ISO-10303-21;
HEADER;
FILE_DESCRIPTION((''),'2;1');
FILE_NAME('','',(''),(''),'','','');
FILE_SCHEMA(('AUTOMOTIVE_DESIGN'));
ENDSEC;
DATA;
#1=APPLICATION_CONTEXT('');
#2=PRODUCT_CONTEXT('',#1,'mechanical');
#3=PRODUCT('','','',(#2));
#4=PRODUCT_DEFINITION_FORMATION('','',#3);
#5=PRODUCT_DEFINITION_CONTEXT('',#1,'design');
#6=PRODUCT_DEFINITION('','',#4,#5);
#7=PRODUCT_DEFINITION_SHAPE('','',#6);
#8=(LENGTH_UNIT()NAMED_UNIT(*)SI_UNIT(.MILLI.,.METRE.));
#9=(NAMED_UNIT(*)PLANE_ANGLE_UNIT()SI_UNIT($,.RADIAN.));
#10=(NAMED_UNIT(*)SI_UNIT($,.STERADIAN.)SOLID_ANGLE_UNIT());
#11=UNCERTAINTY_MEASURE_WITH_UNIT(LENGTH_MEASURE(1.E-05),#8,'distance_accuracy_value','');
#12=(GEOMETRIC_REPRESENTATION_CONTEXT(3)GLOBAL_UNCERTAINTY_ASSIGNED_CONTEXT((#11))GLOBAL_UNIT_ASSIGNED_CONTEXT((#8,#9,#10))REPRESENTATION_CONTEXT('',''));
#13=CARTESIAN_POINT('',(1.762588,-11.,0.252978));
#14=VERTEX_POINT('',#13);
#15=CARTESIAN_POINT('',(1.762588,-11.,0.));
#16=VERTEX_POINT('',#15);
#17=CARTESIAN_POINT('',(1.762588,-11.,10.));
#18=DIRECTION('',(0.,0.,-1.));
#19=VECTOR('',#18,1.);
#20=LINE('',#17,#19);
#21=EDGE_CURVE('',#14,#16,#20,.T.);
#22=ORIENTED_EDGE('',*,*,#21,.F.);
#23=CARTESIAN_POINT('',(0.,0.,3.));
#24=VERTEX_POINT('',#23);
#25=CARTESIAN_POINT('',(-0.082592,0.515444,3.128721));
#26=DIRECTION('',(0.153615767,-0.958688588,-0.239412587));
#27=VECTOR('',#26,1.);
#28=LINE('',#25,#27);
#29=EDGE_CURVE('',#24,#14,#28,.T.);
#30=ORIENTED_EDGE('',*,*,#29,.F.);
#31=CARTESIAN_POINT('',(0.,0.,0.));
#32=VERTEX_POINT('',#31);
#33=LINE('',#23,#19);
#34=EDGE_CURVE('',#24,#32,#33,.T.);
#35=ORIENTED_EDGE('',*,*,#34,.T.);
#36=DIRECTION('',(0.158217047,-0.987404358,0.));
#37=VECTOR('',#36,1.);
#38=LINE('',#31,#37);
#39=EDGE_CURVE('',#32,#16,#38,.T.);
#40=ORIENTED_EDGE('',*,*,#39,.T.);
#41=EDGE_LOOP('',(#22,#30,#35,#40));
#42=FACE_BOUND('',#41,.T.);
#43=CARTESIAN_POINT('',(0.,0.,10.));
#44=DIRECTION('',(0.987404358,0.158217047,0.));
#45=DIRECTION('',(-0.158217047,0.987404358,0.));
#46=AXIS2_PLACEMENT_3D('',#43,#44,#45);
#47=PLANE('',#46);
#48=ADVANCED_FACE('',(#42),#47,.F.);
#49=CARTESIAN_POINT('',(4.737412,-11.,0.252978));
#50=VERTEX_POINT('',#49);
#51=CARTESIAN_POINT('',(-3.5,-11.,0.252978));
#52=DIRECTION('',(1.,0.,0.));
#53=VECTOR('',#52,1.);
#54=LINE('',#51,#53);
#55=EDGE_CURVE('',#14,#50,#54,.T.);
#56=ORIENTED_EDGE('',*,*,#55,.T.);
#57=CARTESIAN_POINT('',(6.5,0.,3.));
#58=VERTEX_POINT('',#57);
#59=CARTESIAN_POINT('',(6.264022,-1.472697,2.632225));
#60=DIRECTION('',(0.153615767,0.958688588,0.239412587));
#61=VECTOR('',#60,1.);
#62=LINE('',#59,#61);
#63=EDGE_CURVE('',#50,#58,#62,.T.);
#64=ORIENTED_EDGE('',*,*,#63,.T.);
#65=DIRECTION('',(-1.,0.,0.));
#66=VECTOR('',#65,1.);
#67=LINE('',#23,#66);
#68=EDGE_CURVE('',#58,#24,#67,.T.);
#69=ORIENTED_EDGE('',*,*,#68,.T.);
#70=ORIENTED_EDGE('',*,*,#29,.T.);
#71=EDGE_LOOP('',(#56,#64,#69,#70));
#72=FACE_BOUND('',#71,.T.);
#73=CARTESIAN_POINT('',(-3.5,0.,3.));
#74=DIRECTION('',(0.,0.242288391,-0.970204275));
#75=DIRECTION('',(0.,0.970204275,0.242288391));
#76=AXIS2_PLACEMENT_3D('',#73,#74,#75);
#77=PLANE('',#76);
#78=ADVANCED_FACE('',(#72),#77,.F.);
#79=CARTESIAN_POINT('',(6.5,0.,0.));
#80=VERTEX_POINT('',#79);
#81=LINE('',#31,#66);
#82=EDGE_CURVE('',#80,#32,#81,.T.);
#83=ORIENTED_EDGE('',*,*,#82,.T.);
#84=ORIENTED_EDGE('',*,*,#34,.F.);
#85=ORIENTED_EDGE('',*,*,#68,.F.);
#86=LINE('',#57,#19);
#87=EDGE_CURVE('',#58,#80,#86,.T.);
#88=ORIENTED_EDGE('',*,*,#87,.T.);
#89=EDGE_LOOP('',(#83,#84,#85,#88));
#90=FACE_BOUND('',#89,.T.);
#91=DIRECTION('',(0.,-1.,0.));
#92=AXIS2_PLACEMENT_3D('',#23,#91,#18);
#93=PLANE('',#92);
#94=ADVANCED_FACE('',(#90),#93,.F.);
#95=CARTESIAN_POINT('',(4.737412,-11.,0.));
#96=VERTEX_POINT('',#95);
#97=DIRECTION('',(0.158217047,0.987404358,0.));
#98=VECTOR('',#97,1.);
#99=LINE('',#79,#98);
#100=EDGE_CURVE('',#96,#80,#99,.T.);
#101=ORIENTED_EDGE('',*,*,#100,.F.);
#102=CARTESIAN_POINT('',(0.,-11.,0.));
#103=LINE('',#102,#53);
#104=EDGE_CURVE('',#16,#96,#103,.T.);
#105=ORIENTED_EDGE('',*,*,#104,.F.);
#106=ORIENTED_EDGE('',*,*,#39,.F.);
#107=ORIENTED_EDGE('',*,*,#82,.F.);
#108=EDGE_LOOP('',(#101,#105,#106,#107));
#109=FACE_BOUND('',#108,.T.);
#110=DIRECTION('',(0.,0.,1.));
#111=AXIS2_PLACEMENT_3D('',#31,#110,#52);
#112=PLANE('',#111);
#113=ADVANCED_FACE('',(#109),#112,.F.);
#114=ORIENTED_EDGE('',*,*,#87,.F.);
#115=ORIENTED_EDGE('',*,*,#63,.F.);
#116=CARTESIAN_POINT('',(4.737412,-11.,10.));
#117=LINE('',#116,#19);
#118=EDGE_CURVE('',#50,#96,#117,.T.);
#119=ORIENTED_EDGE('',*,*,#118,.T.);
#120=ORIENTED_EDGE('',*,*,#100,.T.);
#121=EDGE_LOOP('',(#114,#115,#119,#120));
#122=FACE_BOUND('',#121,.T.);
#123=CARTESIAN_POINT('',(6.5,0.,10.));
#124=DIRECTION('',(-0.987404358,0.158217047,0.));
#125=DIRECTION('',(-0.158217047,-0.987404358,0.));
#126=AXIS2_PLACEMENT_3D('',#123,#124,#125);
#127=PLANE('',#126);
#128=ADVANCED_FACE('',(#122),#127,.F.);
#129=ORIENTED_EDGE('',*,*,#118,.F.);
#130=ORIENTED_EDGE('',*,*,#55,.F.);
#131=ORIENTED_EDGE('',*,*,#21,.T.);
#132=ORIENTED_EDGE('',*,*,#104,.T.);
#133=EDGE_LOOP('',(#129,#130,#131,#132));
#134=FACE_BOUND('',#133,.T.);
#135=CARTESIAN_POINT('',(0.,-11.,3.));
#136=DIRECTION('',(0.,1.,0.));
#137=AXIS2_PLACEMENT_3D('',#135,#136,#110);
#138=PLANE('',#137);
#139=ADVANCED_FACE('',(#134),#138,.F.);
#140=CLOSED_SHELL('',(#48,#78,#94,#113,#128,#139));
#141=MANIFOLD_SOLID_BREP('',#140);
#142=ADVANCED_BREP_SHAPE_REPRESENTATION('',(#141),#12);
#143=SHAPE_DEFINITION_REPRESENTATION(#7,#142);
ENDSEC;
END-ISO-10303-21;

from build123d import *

# Parameters (mm, degrees)
SKETCH_1_W          = 6.5
SKETCH_1_H          = 11
EXTRUDE_1_DEPTH     = 3
CUT_EXTRUDE_1_DEPTH = 10
CUT_EXTRUDE_2_DEPTH = 10


with BuildPart() as part:
    # 草图1 → 凸台-拉伸1 (new body)
    with BuildSketch(Plane.XY):
        with Locations((3.25, -5.5)):
            Rectangle(SKETCH_1_W, SKETCH_1_H)
    extrude(amount=EXTRUDE_1_DEPTH)

    # 草图2 → 切除-拉伸1 (cut)
    with BuildSketch(Plane(origin=(6.5, 0, 0), x_dir=(0, 0, -1), z_dir=(1, 0, 0))):
        Polygon((-3, 0), (-0.252978195, -11), (-3, -11), align=None)
    extrude(amount=-CUT_EXTRUDE_1_DEPTH, mode=Mode.SUBTRACT)

    # 草图3 → 切除-拉伸2 (cut)
    with BuildSketch(Plane(origin=(0, 0, 0), x_dir=(-1, 0, 0), z_dir=(0, 0, -1))):
        Polygon((-6.5, 0), (-4.73741155, -11), (-6.5, -11), align=None)
        Polygon((-1.76258845, -11), (0, -11), (0, 0), align=None)
    extrude(amount=-CUT_EXTRUDE_2_DEPTH, mode=Mode.SUBTRACT)


solid = part.part
